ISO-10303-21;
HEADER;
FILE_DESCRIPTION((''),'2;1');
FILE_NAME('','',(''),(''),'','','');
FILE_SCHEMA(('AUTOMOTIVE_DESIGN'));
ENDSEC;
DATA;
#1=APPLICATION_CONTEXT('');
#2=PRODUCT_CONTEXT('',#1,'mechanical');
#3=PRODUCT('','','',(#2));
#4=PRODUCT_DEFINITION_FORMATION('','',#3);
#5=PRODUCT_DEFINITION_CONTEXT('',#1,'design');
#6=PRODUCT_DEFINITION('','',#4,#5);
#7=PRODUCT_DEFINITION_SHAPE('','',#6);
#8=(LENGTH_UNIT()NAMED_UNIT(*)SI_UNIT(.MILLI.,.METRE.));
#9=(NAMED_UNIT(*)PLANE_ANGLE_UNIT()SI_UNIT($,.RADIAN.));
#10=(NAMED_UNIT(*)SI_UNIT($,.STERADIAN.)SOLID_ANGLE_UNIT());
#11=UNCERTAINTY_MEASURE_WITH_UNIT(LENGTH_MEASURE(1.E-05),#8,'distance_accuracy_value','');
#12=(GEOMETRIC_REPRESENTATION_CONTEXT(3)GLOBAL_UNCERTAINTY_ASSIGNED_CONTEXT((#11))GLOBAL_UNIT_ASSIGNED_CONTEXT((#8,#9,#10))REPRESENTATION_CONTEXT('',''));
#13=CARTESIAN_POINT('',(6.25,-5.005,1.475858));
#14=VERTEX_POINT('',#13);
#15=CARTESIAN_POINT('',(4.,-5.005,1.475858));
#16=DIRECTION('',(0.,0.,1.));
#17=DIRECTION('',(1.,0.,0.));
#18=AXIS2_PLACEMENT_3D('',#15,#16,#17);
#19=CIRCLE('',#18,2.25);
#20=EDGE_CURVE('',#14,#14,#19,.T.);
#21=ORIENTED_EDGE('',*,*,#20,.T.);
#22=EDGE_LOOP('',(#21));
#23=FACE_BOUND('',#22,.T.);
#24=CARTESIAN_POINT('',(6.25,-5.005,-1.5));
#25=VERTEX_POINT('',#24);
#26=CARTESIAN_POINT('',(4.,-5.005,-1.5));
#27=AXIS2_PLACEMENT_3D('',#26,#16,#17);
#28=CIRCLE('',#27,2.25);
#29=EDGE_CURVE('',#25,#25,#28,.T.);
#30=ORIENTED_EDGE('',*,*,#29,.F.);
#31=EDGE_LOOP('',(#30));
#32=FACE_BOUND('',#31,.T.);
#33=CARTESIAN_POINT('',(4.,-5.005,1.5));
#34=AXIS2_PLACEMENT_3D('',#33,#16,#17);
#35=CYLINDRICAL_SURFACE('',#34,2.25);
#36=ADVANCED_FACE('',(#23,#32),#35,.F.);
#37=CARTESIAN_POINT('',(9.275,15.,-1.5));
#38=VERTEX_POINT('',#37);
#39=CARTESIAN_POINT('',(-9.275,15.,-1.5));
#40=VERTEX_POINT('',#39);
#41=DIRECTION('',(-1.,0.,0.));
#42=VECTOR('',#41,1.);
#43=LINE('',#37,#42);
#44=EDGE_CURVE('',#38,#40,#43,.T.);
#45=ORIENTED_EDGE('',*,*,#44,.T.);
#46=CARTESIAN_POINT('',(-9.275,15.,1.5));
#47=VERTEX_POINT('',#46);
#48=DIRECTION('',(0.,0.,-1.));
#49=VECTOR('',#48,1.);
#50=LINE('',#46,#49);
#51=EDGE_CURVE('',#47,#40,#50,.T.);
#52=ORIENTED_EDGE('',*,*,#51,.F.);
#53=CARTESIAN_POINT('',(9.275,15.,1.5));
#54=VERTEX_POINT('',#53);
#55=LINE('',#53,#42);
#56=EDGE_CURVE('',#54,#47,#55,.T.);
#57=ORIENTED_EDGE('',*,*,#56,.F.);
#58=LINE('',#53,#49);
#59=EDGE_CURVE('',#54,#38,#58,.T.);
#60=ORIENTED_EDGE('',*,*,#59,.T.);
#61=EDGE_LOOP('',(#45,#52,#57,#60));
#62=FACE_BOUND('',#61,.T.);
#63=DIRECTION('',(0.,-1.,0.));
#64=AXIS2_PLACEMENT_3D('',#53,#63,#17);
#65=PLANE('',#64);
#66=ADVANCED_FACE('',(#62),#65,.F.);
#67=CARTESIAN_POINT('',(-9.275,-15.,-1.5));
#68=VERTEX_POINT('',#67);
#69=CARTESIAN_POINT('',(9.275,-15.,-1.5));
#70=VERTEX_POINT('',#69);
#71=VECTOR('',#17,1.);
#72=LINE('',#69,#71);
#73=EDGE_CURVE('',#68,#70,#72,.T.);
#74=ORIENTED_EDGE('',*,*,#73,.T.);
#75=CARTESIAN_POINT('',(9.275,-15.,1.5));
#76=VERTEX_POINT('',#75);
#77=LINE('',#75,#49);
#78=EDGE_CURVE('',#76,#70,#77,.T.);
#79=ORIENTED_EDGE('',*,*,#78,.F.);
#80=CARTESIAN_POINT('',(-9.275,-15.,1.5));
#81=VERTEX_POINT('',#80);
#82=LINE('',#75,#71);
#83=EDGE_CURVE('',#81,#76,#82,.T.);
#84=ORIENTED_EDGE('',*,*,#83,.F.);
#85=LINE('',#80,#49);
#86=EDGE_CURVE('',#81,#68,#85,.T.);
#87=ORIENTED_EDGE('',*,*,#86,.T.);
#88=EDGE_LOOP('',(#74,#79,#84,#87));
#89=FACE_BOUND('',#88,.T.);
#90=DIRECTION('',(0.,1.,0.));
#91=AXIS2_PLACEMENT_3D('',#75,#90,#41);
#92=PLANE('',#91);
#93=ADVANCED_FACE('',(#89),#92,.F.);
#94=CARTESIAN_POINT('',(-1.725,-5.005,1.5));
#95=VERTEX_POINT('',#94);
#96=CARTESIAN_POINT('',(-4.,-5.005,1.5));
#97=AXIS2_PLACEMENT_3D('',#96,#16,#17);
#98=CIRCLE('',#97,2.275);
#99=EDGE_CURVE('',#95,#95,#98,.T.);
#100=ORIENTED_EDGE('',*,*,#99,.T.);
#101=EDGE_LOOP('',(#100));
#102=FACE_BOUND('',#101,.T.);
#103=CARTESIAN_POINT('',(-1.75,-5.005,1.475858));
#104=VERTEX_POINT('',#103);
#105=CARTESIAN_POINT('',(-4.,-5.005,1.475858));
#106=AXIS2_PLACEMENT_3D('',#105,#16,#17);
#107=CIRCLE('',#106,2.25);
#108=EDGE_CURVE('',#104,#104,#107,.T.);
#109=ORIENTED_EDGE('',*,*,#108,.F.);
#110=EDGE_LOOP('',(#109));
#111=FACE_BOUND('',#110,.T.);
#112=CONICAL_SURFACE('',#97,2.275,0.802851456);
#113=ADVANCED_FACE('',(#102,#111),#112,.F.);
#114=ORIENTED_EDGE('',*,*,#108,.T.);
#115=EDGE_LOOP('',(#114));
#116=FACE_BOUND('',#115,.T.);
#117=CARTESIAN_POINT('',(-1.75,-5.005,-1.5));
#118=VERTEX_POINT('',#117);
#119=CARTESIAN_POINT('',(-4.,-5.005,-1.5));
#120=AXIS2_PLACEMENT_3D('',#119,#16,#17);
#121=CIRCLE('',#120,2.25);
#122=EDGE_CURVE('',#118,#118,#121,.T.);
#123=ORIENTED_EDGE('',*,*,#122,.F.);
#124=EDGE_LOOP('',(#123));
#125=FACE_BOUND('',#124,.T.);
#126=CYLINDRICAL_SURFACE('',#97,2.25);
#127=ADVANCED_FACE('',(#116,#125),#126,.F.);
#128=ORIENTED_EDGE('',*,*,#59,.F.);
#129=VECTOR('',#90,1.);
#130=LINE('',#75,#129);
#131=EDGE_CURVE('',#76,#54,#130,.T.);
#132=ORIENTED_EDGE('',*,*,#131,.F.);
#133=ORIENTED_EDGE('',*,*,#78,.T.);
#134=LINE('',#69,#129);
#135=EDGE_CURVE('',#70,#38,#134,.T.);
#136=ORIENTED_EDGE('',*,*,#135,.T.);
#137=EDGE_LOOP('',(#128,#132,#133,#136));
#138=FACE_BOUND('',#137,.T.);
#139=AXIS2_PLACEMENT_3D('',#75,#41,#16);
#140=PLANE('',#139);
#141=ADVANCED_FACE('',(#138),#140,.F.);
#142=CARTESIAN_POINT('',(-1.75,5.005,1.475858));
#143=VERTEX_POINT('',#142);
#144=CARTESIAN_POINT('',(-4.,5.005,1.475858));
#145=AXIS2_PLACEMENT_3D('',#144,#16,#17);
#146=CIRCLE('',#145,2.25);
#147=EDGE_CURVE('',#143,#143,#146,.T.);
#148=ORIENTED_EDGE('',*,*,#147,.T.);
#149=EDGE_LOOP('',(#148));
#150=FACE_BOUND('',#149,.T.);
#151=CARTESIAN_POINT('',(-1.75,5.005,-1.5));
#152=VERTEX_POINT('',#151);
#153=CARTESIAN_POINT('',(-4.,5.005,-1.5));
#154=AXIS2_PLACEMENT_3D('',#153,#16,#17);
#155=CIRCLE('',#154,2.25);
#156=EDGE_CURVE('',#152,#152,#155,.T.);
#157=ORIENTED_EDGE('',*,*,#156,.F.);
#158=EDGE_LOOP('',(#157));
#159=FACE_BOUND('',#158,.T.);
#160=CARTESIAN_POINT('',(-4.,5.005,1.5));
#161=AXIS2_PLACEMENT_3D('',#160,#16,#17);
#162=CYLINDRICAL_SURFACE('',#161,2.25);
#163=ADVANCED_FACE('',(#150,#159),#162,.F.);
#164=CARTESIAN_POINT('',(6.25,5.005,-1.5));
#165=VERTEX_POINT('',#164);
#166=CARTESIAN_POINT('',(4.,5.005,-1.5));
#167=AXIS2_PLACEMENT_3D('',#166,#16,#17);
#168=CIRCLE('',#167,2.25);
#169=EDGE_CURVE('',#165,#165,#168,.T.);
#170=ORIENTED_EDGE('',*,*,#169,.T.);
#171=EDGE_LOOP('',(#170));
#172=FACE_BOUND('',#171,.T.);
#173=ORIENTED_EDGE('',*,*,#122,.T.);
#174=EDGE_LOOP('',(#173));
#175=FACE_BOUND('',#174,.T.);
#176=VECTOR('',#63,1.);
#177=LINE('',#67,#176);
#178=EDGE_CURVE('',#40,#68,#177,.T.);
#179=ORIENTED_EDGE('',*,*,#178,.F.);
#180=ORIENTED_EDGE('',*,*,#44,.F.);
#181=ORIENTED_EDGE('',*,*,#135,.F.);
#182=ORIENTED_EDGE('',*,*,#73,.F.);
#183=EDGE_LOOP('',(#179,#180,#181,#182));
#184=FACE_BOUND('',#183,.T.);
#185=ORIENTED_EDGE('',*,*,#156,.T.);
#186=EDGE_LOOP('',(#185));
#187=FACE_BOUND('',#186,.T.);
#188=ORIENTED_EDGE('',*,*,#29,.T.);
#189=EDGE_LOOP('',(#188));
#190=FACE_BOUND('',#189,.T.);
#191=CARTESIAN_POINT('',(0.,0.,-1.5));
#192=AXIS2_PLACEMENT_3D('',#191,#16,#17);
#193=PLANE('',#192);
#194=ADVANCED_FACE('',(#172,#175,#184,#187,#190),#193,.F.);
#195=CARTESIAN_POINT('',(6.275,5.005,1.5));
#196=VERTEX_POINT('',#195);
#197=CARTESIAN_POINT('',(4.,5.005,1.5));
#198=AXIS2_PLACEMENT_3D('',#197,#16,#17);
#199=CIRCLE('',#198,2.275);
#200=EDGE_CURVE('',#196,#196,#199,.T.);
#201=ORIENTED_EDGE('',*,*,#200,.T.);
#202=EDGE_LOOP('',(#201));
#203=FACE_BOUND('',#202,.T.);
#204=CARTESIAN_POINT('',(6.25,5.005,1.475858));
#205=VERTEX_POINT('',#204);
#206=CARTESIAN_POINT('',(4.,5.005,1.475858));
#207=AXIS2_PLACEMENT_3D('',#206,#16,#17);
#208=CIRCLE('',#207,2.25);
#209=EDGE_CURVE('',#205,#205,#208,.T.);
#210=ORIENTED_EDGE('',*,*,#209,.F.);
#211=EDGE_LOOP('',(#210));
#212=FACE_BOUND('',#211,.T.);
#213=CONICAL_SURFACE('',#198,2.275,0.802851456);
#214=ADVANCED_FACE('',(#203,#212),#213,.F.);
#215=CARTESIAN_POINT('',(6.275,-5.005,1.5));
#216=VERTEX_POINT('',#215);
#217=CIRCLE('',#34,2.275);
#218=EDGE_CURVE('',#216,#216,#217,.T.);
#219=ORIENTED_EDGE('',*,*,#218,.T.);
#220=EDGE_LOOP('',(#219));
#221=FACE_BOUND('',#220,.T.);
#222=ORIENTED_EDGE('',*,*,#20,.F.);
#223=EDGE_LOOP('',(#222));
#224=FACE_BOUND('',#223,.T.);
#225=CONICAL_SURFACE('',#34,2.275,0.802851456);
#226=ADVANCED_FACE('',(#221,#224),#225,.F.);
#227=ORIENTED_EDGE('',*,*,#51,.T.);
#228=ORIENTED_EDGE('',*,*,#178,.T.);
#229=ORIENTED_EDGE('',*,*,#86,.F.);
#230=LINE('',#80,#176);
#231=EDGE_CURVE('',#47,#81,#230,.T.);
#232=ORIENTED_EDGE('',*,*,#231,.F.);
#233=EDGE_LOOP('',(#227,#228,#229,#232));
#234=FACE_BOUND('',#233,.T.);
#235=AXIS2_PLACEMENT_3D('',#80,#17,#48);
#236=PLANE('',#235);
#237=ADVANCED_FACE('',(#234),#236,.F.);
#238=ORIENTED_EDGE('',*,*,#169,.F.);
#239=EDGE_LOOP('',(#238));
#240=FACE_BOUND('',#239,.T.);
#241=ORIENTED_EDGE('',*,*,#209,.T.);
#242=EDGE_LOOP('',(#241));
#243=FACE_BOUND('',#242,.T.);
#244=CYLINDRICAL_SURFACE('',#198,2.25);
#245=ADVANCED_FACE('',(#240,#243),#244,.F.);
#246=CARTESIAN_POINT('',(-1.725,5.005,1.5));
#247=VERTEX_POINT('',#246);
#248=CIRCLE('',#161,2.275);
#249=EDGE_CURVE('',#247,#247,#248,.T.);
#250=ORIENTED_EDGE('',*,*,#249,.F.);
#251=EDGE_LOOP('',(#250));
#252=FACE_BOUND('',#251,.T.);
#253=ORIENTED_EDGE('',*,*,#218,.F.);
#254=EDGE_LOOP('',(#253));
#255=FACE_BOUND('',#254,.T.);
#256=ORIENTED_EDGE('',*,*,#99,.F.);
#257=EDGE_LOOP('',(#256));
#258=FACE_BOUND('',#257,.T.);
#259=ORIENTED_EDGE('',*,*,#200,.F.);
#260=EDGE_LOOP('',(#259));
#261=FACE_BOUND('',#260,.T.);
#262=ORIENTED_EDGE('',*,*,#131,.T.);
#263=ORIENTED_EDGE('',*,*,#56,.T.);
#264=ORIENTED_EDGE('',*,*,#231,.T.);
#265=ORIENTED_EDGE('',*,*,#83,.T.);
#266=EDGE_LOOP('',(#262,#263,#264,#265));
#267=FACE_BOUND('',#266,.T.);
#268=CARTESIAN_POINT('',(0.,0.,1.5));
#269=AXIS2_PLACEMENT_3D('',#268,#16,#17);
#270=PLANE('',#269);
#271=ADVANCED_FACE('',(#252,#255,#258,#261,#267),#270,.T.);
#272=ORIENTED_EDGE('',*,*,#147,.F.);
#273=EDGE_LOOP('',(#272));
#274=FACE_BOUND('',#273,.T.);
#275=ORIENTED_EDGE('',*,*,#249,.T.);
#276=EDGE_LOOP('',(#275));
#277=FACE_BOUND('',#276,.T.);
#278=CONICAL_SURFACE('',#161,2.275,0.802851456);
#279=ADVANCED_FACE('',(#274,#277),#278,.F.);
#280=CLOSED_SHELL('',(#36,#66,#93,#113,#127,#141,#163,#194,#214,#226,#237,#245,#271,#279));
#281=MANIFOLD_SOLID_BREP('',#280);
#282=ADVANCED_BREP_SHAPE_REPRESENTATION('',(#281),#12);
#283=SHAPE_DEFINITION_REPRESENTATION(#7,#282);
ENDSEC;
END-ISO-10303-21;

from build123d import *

# Parameters (mm, degrees)
SKETCH_1_W                   = 18.55
SKETCH_1_H                   = 30
EXTRUDE_1_DEPTH              = 1.5
HOLE_WIZARD_M4_1_D           = 4.5
HOLE_WIZARD_M4_1_DEPTH       = 3
HOLE_WIZARD_M4_1_CSINK_D     = 4.55
HOLE_WIZARD_M4_1_CSINK_ANGLE = 92


with BuildPart() as part:
    # 스케치1 → 보스-돌출1 (new body, symmetric)
    with BuildSketch(Plane.XY):
        Rectangle(SKETCH_1_W, SKETCH_1_H)
    extrude(amount=EXTRUDE_1_DEPTH, both=True)

    # M4 여유 구멍1
    with Locations(Plane.XY.offset(1.5)):
        with Locations((-4, -5.005), (4, 5.005), (-4, 5.005), (4, -5.005)):
            CounterSinkHole(HOLE_WIZARD_M4_1_D / 2, HOLE_WIZARD_M4_1_CSINK_D / 2, depth=HOLE_WIZARD_M4_1_DEPTH, counter_sink_angle=HOLE_WIZARD_M4_1_CSINK_ANGLE)


solid = part.part
